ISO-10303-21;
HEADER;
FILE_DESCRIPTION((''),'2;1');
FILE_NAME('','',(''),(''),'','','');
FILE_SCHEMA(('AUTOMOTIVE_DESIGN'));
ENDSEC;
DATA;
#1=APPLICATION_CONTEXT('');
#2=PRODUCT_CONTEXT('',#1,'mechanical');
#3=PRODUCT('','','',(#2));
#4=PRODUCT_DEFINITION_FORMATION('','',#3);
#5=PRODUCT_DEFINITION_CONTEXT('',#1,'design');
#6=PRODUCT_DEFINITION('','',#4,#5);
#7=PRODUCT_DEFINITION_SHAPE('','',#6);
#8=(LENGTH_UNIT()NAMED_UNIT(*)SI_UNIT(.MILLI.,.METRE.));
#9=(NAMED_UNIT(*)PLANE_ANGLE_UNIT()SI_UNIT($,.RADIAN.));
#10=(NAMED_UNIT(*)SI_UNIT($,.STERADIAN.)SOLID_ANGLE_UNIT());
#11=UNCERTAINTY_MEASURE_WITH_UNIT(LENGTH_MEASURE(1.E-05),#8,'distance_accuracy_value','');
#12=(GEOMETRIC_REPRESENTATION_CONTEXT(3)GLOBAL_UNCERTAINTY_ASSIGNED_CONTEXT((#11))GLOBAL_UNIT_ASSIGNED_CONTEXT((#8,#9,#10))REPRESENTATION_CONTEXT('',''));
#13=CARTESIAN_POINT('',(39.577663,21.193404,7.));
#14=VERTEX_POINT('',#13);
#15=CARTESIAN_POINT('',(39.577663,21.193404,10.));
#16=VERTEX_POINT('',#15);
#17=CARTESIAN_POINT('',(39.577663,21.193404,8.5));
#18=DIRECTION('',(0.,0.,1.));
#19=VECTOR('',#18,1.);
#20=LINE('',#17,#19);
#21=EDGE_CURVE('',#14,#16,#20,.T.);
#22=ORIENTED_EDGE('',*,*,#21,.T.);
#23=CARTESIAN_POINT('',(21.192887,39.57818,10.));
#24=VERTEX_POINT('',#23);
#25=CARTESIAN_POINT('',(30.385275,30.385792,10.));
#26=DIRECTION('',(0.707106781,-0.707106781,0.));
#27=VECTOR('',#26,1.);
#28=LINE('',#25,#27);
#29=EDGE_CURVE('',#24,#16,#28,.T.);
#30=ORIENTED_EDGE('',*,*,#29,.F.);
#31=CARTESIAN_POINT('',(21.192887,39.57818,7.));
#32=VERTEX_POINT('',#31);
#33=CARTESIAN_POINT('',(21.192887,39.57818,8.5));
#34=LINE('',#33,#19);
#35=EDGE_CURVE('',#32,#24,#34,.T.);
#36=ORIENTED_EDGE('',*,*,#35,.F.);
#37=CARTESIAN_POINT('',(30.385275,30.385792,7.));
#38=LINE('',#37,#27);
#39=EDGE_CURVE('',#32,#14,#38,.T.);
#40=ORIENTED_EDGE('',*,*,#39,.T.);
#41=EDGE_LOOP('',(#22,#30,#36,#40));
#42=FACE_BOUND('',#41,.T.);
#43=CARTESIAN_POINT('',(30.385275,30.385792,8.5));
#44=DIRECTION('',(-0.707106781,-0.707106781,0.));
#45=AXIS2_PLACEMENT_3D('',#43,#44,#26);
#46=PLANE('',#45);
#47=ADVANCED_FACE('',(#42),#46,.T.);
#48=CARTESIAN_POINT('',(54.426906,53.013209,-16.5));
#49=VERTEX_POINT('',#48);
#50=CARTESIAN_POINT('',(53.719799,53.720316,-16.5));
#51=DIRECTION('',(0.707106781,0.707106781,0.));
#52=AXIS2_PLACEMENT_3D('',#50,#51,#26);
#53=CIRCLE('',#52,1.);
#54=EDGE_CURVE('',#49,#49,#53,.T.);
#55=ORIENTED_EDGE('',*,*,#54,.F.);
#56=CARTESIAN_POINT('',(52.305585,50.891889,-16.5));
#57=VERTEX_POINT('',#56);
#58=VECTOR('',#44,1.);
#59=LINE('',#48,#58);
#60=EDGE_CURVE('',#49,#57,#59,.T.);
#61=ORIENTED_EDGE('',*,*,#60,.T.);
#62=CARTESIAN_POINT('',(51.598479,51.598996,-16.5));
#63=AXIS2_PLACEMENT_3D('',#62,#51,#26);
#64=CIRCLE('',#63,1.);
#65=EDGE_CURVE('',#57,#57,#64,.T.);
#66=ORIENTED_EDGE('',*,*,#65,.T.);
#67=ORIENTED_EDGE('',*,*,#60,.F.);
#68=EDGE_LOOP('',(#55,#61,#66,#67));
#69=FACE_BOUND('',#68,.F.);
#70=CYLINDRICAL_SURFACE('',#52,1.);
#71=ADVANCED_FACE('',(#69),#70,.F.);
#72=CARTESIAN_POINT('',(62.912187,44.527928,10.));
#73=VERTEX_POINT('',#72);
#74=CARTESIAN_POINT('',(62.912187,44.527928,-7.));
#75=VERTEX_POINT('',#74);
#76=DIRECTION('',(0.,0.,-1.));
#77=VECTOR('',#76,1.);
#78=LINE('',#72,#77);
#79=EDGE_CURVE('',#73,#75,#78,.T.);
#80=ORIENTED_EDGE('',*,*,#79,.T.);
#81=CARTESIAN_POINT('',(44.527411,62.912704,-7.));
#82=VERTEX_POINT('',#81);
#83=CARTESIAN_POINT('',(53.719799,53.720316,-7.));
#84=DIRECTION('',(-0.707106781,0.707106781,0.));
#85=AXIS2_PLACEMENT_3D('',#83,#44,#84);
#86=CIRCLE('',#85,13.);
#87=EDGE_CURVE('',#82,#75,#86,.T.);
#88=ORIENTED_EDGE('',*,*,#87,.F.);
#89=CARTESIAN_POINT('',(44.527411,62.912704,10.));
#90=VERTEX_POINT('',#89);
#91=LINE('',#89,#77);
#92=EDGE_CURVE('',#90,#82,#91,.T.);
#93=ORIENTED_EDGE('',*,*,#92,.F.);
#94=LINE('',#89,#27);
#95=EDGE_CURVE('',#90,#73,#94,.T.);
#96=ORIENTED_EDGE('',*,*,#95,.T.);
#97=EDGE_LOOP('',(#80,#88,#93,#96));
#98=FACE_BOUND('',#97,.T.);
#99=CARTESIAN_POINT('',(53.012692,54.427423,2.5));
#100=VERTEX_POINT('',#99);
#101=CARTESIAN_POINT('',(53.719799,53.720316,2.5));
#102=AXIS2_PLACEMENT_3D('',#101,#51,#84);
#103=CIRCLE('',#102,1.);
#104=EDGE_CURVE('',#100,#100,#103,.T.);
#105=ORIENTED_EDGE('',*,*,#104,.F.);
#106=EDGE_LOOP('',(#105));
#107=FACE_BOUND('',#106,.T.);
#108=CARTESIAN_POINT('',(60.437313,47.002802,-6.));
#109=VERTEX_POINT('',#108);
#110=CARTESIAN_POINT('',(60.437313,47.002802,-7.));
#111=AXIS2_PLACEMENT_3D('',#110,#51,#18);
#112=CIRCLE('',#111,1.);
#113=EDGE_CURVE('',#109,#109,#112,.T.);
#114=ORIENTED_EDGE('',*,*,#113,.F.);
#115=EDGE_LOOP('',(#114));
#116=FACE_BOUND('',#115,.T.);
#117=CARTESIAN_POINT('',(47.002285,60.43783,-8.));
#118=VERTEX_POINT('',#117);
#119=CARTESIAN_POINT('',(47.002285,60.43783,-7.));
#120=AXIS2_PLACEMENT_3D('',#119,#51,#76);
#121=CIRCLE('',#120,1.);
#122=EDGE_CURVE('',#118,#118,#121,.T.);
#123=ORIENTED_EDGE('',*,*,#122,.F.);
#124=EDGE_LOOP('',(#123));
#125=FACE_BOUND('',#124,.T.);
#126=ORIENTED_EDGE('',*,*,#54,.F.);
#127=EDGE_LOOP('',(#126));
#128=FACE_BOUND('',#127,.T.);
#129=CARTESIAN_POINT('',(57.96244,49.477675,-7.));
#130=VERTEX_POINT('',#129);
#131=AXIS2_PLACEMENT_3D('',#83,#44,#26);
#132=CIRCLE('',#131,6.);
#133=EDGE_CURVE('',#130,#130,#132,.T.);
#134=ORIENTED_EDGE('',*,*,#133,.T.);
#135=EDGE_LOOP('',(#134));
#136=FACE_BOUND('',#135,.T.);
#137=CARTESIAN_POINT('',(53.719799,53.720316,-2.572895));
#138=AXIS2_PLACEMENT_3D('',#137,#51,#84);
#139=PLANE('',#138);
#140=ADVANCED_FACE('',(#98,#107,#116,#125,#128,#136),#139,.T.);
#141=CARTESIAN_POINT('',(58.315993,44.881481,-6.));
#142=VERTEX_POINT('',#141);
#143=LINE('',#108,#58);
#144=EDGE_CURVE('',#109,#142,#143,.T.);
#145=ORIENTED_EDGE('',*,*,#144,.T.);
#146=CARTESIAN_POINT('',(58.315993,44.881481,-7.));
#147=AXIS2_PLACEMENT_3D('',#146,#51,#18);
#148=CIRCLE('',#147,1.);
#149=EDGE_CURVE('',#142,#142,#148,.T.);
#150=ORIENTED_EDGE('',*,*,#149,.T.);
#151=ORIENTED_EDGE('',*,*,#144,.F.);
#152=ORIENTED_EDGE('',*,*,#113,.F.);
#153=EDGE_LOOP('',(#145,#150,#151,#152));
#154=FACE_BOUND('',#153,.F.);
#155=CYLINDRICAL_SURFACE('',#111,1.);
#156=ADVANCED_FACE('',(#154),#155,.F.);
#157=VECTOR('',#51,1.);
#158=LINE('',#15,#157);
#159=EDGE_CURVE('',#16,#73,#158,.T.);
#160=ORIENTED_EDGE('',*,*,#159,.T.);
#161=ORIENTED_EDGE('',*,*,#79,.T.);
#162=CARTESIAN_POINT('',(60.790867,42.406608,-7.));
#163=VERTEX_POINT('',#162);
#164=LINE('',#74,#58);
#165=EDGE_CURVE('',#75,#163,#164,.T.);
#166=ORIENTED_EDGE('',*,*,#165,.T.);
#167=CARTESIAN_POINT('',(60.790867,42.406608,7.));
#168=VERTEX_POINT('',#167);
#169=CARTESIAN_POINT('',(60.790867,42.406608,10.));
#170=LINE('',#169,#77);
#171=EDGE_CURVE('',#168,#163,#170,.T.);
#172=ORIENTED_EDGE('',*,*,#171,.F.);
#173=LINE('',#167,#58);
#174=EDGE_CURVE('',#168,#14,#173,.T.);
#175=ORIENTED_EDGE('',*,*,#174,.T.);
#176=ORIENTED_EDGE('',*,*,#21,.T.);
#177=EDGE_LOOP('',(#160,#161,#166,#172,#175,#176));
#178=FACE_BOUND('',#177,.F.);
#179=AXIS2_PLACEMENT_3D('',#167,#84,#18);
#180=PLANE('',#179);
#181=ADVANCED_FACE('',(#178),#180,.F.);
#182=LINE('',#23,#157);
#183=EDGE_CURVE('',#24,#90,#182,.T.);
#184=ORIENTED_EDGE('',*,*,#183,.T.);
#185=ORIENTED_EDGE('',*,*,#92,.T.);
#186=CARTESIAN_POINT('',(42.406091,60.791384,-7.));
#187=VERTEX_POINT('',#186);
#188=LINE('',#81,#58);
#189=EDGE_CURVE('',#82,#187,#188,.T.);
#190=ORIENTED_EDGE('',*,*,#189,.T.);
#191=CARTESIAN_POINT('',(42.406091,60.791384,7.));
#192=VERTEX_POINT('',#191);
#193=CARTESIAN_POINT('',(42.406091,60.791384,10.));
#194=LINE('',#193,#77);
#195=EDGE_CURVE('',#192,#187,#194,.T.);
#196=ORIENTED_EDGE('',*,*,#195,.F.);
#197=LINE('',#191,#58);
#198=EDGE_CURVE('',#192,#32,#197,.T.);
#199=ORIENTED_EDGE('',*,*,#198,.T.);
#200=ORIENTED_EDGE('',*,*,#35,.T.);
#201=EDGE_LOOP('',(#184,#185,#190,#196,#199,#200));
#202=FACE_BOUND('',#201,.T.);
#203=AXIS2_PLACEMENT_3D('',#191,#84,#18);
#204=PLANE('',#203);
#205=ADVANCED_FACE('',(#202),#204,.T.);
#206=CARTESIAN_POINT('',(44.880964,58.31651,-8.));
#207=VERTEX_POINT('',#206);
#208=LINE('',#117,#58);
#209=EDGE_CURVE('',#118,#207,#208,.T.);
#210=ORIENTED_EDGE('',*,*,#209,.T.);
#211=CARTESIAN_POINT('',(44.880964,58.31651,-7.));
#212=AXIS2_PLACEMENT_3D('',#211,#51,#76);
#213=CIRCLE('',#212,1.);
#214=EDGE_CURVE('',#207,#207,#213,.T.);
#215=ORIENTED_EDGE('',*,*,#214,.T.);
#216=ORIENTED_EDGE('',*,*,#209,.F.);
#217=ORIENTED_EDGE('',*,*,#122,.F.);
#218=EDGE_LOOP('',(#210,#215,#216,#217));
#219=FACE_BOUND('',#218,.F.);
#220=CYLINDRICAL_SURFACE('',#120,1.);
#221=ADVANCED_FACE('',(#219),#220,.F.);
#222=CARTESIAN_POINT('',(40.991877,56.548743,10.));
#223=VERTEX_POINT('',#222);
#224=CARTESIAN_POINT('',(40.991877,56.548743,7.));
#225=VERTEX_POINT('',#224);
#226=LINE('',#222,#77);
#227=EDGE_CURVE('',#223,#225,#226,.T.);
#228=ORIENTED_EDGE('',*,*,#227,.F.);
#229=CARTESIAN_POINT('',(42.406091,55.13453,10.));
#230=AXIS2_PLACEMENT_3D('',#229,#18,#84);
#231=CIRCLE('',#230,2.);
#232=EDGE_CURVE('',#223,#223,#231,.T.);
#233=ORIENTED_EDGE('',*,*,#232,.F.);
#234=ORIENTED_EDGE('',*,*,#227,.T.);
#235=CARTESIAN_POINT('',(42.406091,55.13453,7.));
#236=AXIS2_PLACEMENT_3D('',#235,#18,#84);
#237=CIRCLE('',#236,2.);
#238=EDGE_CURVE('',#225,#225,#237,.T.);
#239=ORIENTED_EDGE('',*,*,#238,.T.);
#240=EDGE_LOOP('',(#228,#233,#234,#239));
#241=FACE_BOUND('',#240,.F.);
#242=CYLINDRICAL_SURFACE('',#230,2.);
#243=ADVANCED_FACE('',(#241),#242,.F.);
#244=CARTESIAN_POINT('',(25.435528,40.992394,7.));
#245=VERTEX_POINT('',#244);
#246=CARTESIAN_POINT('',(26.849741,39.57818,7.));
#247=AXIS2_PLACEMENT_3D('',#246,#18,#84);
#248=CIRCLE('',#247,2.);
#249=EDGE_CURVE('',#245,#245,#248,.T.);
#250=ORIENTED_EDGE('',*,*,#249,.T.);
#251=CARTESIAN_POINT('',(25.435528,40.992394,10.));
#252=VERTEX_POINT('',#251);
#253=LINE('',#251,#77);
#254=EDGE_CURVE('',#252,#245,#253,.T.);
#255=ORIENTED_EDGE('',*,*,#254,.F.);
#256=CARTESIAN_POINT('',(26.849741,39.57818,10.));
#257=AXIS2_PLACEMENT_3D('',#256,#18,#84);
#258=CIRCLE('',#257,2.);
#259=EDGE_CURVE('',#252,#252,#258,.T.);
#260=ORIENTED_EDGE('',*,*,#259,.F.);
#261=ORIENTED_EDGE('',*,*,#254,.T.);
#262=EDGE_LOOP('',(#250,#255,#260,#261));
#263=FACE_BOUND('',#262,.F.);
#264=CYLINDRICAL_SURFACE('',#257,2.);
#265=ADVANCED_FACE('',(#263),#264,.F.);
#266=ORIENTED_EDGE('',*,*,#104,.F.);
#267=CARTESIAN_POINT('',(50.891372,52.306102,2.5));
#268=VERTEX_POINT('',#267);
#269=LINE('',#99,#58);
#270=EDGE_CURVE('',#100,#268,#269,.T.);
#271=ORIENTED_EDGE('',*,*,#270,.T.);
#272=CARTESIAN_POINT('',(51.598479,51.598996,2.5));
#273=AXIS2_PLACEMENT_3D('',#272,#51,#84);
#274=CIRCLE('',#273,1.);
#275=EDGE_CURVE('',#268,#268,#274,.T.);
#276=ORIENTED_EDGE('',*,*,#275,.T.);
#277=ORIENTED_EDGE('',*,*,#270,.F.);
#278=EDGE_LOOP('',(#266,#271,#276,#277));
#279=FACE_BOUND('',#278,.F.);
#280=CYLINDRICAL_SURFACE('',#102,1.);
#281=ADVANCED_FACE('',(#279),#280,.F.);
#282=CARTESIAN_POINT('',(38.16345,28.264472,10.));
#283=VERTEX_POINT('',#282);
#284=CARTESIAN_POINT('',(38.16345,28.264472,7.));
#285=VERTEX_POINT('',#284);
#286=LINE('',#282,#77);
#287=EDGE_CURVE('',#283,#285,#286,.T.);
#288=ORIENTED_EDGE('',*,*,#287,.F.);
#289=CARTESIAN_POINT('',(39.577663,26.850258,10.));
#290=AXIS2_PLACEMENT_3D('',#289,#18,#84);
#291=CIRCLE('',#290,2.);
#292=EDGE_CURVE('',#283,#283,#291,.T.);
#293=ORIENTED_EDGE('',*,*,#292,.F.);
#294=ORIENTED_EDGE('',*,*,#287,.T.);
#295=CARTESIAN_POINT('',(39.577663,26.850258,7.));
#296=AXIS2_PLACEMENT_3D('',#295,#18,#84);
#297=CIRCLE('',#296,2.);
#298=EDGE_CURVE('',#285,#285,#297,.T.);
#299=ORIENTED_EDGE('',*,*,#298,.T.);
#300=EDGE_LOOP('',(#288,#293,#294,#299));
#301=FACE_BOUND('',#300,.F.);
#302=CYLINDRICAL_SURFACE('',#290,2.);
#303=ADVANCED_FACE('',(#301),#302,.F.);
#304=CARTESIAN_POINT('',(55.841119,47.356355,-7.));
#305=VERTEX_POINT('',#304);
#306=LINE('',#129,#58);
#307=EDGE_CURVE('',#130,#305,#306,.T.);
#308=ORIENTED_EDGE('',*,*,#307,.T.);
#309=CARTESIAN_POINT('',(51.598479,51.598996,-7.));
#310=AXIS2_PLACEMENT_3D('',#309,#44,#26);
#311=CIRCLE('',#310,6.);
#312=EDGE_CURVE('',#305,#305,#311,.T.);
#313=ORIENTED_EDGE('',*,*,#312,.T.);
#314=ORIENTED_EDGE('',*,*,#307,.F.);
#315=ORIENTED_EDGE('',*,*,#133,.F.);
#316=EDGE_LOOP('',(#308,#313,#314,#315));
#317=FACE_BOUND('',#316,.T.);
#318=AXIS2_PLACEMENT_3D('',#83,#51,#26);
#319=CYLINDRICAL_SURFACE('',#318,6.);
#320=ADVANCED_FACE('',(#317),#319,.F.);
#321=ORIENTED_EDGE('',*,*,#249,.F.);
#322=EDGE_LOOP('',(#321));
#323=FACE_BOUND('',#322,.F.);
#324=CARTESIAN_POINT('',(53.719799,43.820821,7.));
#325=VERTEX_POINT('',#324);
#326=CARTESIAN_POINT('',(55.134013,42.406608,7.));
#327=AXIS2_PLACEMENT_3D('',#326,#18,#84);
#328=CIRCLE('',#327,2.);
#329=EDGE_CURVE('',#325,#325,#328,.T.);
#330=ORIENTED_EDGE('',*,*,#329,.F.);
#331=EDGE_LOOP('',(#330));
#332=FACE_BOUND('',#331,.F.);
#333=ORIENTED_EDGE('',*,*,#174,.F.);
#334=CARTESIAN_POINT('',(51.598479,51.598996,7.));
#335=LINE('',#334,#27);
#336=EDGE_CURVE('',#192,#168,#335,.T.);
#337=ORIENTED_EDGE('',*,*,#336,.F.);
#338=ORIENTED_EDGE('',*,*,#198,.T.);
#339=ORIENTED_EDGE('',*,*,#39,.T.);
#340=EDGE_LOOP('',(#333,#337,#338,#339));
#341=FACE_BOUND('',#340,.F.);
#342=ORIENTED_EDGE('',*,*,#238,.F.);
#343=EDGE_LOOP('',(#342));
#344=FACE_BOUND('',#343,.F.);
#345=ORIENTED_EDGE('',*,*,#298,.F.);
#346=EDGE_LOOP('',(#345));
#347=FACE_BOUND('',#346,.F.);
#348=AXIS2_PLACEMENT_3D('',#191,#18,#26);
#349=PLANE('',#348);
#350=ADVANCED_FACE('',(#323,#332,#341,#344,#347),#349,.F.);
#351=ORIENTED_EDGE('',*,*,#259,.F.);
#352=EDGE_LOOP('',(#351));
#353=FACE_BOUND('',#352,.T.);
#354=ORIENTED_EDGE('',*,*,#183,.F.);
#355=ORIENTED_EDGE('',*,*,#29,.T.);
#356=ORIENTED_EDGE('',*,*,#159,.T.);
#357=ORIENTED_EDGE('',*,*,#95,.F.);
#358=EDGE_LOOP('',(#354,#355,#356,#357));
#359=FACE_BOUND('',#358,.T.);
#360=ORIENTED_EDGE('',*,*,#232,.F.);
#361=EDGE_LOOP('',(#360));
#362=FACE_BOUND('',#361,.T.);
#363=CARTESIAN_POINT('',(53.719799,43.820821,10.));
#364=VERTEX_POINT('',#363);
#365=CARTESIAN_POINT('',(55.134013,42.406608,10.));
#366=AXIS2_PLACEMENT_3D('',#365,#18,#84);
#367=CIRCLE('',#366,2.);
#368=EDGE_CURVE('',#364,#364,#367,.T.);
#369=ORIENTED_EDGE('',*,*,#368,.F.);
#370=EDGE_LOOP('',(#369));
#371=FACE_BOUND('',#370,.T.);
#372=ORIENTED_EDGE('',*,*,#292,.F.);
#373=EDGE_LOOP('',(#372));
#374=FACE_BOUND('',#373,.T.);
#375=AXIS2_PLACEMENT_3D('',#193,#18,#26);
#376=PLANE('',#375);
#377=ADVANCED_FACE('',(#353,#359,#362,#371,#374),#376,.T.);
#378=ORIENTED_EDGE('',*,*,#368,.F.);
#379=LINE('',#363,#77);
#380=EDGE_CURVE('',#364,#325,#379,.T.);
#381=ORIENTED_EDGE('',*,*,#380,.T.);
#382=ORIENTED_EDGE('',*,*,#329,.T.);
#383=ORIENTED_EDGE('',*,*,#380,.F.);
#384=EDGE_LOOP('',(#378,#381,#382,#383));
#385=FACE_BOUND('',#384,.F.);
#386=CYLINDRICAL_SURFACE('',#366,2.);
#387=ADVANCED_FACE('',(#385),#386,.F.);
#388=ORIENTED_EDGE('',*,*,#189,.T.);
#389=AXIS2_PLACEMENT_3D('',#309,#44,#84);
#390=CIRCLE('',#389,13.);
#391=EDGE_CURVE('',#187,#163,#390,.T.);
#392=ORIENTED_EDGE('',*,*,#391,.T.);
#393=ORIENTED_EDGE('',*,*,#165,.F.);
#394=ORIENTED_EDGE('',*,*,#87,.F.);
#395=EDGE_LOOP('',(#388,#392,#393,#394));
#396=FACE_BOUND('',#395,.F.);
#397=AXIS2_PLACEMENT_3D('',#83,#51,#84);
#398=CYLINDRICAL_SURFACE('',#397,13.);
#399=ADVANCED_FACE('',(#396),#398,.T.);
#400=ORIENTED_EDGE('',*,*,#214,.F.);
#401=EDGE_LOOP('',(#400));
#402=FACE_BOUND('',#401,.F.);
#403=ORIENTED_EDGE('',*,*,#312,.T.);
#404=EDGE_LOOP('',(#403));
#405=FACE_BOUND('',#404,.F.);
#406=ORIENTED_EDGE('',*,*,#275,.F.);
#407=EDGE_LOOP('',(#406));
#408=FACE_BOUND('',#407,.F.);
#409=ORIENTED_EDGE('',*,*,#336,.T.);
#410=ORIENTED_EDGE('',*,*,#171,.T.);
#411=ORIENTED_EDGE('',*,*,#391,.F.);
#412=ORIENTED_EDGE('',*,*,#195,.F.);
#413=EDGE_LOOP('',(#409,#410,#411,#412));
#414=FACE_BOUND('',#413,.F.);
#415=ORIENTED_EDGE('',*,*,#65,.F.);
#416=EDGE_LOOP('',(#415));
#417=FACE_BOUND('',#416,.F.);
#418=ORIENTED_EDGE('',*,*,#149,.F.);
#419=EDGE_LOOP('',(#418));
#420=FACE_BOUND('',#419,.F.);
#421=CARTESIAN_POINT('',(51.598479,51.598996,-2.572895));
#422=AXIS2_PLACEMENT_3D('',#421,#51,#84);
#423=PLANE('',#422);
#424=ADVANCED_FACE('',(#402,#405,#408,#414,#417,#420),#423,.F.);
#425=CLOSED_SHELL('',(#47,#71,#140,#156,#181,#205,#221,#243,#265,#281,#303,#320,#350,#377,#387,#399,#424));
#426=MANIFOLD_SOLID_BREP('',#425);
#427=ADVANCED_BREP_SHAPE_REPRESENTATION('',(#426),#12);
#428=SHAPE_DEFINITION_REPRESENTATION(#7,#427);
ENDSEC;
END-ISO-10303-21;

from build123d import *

# Parameters (mm, degrees)
SKETCH088_R             = 6
PAD064_DEPTH            = 3
SKETCH089_W             = 26
SKETCH089_H             = 3
PAD065_DEPTH            = 30
SKETCH090_R             = 2
POCKET032_DEPTH         = 30.001
SKETCH091_R             = 1
POCKET033_DEPTH         = 136.248276
POLARPATTERN013_COUNT   = 4
BODY039_PLACEMENT_ANGLE = 315


with BuildPart() as part:
    # Sketch088 → Pad064 (new body)
    with BuildSketch(Plane.XZ):
        with BuildLine():
            Line((-13, 17), (13, 17))
            Line((13, 17), (13, 0))
            ThreePointArc((-13, 0), (0, -13), (13, 0))
            Line((-13, 17), (-13, 0))
        make_face()
        Circle(SKETCH088_R, mode=Mode.SUBTRACT)
    extrude(amount=PAD064_DEPTH)

    # Sketch089 (on Face7 of Pad064) → Pad065 (join)
    with BuildSketch(Plane.XZ.offset(3)):
        with Locations((0, 15.5)):
            Rectangle(SKETCH089_W, SKETCH089_H)
    extrude(amount=PAD065_DEPTH)

    # Sketch090 (on Face5 of Pad065) → Pocket032 (cut, through all)
    with BuildSketch(Plane(origin=(0, 0, 17), x_dir=(-1, 0, 0), z_dir=(0, 0, 1))):
        with Locations((-9, 7)):
            Circle(SKETCH090_R)
        with Locations((9, 7)):
            Circle(SKETCH090_R)
        with Locations((-9, 29)):
            Circle(SKETCH090_R)
        with Locations((9, 29)):
            Circle(SKETCH090_R)
    extrude(amount=-POCKET032_DEPTH, mode=Mode.SUBTRACT)

    # Sketch091 (on Face4 of Pocket032) → Pocket033 (cut, through all)
    with BuildSketch(Plane(origin=(0, 0, 0), x_dir=(1, 0, 0), z_dir=(0, 1, 0))):
        with Locations((0, 9.5)):
            Circle(SKETCH091_R)
    pocket033 = extrude(amount=-POCKET033_DEPTH, mode=Mode.SUBTRACT)

    # PolarPattern013: Pocket033 ×4 about axis
    polarpattern013_axis = Axis((0, 0, 0), (0, 1, 0))
    for i in range(1, POLARPATTERN013_COUNT):
        add(pocket033.rotate(polarpattern013_axis, i * 360 / POLARPATTERN013_COUNT), mode=Mode.SUBTRACT)


with BuildPart() as part_1:
    # Body039 placement: moved
    add(part.part.moved(Location((53.719799, 53.720316, -7))).rotate(Axis((53.719799, 53.720316, -7), (0, 0, 1)), BODY039_PLACEMENT_ANGLE))


solid = part_1.part
